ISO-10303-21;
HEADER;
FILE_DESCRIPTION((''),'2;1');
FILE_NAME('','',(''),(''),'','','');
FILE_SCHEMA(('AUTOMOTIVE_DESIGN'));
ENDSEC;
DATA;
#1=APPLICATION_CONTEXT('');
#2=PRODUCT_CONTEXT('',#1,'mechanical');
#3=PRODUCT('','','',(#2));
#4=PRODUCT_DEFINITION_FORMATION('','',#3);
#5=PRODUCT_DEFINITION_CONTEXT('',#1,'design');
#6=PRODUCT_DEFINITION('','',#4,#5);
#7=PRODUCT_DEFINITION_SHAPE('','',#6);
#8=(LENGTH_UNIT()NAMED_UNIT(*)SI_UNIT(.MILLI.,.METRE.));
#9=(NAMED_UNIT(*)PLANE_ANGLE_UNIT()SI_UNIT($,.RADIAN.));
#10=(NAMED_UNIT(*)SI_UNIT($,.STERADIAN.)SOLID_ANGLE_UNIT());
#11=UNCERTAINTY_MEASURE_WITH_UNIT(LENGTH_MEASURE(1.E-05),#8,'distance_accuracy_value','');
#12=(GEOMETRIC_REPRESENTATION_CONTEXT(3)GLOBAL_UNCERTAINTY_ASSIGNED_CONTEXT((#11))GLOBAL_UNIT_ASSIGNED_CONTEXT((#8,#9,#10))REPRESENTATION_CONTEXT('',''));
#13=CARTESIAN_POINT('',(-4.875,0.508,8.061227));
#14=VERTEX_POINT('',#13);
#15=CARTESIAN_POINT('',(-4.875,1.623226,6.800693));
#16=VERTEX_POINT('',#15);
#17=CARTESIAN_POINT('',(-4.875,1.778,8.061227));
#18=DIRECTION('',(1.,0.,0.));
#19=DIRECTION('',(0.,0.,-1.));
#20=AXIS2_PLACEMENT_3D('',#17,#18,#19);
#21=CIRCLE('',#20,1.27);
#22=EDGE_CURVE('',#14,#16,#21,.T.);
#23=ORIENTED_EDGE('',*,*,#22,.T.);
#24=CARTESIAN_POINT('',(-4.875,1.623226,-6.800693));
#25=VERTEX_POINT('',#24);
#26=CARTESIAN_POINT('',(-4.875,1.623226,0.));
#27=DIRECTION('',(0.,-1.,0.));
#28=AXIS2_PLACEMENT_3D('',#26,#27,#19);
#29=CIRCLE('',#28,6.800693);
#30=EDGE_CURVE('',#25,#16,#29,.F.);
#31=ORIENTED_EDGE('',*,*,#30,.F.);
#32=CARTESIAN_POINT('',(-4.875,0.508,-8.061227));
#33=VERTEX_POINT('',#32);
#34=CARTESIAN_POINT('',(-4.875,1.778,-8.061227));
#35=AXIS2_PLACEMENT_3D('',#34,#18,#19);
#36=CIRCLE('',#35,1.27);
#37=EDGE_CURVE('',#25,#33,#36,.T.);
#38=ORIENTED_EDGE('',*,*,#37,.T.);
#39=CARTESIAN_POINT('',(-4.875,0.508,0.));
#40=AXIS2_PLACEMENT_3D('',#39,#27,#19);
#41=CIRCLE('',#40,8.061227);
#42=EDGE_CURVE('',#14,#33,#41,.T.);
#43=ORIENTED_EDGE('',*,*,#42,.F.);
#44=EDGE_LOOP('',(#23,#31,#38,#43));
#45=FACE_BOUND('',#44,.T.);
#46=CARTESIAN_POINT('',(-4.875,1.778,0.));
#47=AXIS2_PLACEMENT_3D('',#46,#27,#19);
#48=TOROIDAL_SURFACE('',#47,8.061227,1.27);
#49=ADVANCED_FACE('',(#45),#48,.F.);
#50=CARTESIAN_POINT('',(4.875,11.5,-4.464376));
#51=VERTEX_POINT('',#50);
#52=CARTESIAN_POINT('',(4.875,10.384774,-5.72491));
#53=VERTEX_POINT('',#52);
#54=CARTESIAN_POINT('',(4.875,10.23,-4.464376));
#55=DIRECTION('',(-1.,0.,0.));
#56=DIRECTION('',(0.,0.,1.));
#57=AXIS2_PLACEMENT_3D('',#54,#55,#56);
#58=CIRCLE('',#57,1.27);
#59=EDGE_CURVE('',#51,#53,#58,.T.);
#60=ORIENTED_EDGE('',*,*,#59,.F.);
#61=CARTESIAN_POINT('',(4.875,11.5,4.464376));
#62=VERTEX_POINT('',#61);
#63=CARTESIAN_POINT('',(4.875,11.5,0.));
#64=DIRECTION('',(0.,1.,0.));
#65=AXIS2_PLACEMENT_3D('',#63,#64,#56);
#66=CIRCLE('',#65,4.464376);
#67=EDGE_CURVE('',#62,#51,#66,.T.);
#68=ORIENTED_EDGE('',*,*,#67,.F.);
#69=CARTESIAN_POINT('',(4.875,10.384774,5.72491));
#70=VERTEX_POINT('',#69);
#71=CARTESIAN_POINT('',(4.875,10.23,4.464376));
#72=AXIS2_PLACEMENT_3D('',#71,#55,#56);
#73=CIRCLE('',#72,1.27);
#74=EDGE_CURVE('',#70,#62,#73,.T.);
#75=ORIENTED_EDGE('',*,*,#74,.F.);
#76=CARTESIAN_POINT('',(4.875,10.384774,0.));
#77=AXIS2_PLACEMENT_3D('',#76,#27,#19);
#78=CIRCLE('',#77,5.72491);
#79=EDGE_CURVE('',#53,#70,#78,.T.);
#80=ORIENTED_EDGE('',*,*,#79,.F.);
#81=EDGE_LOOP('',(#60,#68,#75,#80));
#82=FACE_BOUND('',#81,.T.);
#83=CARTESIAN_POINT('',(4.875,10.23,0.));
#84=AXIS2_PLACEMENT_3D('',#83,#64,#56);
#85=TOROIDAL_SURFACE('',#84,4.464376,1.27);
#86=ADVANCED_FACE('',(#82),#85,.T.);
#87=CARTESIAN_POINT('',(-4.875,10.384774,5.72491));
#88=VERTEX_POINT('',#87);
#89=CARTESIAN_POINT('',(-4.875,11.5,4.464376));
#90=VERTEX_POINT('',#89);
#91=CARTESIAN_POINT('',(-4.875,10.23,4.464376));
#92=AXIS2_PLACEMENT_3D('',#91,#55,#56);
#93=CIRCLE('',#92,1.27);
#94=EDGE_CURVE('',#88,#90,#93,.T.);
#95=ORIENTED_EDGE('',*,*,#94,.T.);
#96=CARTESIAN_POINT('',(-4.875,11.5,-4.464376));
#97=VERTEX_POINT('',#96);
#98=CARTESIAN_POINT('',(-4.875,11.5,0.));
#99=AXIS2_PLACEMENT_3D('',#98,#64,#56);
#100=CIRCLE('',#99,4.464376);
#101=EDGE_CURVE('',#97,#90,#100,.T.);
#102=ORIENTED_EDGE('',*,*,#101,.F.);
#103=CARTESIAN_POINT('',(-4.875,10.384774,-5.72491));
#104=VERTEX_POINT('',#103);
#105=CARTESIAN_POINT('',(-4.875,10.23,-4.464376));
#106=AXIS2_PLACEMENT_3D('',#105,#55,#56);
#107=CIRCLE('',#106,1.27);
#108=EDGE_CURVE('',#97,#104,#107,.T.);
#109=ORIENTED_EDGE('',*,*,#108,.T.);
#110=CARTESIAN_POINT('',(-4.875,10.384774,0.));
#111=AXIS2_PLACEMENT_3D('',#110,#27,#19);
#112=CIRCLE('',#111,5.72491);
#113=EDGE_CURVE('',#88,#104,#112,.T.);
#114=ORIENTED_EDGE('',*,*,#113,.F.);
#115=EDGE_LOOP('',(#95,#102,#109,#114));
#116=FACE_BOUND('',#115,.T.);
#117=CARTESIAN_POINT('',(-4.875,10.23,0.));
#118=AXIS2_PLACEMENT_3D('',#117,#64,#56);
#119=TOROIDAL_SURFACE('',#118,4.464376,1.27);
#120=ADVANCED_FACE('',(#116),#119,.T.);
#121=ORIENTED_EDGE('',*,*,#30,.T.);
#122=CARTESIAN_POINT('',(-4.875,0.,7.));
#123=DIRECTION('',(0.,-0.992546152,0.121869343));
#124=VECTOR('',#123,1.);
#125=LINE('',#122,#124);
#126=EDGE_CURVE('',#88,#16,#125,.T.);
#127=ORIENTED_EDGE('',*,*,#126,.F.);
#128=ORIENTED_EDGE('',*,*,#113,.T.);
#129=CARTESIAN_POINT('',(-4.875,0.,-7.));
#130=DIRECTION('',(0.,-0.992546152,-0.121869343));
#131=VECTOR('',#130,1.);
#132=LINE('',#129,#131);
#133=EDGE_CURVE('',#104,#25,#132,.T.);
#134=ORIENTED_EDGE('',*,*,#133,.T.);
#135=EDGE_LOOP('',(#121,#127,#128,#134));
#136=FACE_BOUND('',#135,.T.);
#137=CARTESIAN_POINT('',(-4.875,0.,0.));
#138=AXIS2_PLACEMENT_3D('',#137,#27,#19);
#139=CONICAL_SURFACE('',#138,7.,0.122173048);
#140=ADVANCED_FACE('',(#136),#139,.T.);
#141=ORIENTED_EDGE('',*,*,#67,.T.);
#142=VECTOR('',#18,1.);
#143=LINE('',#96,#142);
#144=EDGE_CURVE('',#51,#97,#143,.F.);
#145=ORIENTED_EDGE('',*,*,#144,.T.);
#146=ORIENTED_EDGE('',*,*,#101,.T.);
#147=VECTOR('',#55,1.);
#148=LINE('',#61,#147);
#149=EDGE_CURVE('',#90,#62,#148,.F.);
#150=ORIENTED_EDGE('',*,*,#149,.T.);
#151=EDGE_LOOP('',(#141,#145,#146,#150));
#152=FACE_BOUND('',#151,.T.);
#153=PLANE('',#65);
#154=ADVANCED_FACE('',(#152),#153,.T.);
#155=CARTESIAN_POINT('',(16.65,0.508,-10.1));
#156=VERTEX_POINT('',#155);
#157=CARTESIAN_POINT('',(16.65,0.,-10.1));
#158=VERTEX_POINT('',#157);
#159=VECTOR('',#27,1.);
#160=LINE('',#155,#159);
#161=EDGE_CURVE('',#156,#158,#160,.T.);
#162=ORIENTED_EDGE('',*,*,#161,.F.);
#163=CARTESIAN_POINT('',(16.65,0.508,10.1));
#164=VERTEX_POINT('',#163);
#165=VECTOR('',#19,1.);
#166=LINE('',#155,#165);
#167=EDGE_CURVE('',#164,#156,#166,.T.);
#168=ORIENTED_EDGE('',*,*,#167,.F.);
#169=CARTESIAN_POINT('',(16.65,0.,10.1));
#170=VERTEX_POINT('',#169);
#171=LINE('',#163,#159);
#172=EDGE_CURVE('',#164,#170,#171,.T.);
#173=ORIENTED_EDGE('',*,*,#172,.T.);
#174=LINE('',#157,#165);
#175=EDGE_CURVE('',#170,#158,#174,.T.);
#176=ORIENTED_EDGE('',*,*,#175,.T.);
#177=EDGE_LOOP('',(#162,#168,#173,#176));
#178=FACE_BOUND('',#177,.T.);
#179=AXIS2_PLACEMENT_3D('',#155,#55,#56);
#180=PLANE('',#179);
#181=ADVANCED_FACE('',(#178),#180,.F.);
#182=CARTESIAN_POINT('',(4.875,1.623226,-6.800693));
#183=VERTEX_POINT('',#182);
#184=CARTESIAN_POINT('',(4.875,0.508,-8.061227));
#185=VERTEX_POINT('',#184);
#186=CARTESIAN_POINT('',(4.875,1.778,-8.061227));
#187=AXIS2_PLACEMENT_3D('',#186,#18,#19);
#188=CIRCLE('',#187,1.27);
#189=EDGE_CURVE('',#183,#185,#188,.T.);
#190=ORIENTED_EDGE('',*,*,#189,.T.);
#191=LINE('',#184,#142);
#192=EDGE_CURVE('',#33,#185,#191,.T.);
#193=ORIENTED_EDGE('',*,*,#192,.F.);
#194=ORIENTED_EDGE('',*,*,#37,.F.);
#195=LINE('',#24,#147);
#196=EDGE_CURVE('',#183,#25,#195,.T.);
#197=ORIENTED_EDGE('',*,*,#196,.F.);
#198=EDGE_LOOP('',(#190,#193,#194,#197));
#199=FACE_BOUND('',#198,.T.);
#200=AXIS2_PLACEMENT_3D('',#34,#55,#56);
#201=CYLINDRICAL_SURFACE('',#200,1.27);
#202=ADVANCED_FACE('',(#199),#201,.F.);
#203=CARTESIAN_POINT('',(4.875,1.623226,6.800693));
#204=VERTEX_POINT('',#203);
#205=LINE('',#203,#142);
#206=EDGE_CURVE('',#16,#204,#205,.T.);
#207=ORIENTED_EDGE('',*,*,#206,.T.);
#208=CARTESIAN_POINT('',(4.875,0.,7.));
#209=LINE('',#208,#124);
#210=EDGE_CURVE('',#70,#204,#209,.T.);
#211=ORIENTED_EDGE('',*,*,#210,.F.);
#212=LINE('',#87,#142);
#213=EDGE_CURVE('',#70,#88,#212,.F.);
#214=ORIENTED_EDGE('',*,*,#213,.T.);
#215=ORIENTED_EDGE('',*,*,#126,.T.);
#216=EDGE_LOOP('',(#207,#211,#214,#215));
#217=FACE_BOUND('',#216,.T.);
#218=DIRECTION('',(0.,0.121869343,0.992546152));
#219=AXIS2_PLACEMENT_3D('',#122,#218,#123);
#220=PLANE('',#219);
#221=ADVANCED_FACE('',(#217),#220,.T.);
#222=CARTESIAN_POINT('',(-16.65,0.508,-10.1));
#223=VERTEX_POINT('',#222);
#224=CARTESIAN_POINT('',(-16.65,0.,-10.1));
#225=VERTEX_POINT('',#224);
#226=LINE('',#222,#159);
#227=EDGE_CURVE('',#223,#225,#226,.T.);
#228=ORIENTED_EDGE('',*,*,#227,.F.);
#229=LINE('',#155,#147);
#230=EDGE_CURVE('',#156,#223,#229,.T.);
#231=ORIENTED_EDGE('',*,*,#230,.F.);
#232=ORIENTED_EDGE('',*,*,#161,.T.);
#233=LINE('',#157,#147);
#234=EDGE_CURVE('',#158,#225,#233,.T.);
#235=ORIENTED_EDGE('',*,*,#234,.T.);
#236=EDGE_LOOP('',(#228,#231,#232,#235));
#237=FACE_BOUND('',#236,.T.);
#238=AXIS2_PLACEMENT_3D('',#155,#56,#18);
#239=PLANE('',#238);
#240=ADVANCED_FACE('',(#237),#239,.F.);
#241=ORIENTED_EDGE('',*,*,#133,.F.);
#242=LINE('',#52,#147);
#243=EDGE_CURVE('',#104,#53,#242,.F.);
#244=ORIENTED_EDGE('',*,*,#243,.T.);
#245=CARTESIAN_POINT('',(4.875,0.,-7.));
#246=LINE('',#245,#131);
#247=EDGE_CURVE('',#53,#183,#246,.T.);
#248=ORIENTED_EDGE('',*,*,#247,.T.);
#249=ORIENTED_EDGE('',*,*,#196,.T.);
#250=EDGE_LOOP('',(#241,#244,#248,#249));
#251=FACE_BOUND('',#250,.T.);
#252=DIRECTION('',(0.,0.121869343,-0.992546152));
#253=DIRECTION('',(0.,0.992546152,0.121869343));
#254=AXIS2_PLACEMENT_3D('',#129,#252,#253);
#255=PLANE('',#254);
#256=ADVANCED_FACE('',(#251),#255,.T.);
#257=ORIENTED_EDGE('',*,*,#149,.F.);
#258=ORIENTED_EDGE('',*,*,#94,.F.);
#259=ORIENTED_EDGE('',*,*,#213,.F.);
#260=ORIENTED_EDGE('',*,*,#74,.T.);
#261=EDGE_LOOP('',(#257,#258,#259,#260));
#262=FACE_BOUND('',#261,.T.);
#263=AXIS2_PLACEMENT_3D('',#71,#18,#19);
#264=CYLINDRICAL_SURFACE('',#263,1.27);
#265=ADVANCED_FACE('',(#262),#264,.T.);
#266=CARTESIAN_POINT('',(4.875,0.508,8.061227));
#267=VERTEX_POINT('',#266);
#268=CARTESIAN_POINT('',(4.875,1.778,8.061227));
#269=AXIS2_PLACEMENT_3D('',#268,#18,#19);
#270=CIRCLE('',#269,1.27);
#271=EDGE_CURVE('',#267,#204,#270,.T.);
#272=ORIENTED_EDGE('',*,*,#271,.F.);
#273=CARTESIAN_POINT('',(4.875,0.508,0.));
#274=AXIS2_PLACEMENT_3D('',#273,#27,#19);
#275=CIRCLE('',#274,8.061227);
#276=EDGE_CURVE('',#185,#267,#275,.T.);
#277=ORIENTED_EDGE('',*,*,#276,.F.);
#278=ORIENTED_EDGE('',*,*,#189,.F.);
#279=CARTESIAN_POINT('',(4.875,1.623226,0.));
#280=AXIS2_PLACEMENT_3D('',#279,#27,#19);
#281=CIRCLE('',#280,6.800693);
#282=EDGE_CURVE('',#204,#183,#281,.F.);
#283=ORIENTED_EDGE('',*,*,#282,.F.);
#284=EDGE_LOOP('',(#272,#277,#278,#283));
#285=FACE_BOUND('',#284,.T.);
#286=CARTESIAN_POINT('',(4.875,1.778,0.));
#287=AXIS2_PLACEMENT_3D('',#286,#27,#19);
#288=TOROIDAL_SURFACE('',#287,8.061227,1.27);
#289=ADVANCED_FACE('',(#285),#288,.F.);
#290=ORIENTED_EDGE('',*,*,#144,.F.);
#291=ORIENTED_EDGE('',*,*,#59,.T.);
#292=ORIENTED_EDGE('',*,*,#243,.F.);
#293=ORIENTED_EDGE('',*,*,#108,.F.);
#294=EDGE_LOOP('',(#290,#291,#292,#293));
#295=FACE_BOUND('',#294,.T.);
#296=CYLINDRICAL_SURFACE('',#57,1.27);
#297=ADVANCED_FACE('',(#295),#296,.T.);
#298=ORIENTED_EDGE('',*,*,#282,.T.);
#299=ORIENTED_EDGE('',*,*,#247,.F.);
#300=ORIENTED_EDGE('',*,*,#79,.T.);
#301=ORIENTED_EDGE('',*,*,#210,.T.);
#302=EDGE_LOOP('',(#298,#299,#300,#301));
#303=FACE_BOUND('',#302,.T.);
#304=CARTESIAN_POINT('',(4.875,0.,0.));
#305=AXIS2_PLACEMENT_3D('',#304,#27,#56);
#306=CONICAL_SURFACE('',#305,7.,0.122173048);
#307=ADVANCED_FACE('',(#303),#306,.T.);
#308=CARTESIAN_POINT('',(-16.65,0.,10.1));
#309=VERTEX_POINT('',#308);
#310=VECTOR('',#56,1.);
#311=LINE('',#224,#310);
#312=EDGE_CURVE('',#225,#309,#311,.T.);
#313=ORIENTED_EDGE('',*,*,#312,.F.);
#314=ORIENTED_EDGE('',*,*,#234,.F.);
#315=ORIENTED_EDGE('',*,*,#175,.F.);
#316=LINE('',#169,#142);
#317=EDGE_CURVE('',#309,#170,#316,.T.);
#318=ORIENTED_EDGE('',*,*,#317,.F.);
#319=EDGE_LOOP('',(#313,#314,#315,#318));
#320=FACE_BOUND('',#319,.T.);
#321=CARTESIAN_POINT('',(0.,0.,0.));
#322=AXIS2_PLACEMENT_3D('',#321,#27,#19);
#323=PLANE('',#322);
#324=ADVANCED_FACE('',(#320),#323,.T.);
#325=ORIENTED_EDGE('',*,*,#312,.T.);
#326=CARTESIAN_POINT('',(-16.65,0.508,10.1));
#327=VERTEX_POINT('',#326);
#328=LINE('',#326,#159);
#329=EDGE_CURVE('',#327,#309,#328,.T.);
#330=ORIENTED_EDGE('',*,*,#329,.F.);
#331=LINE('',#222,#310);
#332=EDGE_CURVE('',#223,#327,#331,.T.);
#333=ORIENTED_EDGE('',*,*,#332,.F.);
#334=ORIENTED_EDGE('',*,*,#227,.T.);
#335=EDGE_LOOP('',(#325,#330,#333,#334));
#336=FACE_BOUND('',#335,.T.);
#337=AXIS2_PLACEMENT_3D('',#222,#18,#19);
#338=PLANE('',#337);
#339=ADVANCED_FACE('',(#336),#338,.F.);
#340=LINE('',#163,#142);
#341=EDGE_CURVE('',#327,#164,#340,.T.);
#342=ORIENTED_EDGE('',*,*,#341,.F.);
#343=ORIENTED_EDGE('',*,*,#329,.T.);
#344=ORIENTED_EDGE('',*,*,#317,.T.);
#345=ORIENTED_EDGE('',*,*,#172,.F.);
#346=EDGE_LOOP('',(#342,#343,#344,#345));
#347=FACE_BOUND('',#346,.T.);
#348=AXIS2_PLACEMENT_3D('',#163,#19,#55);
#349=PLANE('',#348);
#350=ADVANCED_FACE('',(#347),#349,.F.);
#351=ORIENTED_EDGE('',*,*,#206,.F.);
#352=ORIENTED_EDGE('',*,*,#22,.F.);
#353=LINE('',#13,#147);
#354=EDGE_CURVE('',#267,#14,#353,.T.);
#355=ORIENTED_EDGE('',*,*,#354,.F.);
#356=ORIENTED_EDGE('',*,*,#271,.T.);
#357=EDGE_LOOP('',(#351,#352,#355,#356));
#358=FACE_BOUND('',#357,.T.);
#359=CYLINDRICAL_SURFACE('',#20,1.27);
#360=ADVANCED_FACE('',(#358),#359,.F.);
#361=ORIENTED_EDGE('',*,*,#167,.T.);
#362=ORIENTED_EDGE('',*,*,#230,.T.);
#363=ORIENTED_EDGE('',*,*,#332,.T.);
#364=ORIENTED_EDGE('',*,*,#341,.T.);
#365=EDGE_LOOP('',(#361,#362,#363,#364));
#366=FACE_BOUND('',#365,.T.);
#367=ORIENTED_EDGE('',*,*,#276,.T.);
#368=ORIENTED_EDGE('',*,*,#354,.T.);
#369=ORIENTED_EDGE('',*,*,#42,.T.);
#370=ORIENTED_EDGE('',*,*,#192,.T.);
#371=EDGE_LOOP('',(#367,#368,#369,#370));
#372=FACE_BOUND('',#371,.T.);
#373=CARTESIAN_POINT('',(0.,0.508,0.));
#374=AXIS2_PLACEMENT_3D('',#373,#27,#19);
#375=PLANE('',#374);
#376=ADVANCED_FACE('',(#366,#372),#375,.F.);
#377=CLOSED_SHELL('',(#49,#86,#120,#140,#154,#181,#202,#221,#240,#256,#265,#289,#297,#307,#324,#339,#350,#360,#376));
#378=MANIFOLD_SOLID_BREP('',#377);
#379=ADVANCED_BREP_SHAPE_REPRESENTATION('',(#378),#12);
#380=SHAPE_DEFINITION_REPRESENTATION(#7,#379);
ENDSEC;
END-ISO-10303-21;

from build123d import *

# Parameters (mm, degrees)
SKETCH1_W           = 33.3
SKETCH1_H           = 20.2
BOSS_EXTRUDE1_DEPTH = 0.508
BOSS_EXTRUDE2_DEPTH = 11.5
BOSS_EXTRUDE2_TAPER = 7
FILLET1_R           = 1.27
FILLET4_R           = 1.27


with BuildPart() as part:
    # Sketch1 → Boss-Extrude1 (new body)
    with BuildSketch(Plane(origin=(0, 0, 0), x_dir=(1, 0, 0), z_dir=(0, 1, 0))):
        Rectangle(SKETCH1_W, SKETCH1_H)
    extrude(amount=BOSS_EXTRUDE1_DEPTH)

    # Sketch2 → Boss-Extrude2 (add)
    with BuildSketch(Plane(origin=(0, 0, 0), x_dir=(1, 0, 0), z_dir=(0, 1, 0))):
        with BuildLine():
            ThreePointArc((-4.875, 7), (-11.875, 0), (-4.875, -7))
            Line((-4.875, -7), (4.875, -7))
            ThreePointArc((4.875, -7), (11.875, 0), (4.875, 7))
            Line((4.875, 7), (-4.875, 7))
        make_face()
    extrude(amount=BOSS_EXTRUDE2_DEPTH, taper=BOSS_EXTRUDE2_TAPER)

    # Fillet1
    fillet1_edges = [part.edges().sort_by_distance(p)[0] for p in [
        (10.46297755, 11.5, 0),
        (0, 11.5, -5.58797755),
        (-10.46297755, 11.5, 0),
        (0, 11.5, 5.58797755),
    ]]
    fillet(fillet1_edges, radius=FILLET1_R)

    # Fillet4
    fillet4_edges = [part.edges().sort_by_distance(p)[0] for p in [
        (11.812625443, 0.508, 0),
        (0, 0.508, -6.937625443),
        (-11.812625443, 0.508, 0),
        (0, 0.508, 6.937625443),
    ]]
    fillet(fillet4_edges, radius=FILLET4_R)


solid = part.part
